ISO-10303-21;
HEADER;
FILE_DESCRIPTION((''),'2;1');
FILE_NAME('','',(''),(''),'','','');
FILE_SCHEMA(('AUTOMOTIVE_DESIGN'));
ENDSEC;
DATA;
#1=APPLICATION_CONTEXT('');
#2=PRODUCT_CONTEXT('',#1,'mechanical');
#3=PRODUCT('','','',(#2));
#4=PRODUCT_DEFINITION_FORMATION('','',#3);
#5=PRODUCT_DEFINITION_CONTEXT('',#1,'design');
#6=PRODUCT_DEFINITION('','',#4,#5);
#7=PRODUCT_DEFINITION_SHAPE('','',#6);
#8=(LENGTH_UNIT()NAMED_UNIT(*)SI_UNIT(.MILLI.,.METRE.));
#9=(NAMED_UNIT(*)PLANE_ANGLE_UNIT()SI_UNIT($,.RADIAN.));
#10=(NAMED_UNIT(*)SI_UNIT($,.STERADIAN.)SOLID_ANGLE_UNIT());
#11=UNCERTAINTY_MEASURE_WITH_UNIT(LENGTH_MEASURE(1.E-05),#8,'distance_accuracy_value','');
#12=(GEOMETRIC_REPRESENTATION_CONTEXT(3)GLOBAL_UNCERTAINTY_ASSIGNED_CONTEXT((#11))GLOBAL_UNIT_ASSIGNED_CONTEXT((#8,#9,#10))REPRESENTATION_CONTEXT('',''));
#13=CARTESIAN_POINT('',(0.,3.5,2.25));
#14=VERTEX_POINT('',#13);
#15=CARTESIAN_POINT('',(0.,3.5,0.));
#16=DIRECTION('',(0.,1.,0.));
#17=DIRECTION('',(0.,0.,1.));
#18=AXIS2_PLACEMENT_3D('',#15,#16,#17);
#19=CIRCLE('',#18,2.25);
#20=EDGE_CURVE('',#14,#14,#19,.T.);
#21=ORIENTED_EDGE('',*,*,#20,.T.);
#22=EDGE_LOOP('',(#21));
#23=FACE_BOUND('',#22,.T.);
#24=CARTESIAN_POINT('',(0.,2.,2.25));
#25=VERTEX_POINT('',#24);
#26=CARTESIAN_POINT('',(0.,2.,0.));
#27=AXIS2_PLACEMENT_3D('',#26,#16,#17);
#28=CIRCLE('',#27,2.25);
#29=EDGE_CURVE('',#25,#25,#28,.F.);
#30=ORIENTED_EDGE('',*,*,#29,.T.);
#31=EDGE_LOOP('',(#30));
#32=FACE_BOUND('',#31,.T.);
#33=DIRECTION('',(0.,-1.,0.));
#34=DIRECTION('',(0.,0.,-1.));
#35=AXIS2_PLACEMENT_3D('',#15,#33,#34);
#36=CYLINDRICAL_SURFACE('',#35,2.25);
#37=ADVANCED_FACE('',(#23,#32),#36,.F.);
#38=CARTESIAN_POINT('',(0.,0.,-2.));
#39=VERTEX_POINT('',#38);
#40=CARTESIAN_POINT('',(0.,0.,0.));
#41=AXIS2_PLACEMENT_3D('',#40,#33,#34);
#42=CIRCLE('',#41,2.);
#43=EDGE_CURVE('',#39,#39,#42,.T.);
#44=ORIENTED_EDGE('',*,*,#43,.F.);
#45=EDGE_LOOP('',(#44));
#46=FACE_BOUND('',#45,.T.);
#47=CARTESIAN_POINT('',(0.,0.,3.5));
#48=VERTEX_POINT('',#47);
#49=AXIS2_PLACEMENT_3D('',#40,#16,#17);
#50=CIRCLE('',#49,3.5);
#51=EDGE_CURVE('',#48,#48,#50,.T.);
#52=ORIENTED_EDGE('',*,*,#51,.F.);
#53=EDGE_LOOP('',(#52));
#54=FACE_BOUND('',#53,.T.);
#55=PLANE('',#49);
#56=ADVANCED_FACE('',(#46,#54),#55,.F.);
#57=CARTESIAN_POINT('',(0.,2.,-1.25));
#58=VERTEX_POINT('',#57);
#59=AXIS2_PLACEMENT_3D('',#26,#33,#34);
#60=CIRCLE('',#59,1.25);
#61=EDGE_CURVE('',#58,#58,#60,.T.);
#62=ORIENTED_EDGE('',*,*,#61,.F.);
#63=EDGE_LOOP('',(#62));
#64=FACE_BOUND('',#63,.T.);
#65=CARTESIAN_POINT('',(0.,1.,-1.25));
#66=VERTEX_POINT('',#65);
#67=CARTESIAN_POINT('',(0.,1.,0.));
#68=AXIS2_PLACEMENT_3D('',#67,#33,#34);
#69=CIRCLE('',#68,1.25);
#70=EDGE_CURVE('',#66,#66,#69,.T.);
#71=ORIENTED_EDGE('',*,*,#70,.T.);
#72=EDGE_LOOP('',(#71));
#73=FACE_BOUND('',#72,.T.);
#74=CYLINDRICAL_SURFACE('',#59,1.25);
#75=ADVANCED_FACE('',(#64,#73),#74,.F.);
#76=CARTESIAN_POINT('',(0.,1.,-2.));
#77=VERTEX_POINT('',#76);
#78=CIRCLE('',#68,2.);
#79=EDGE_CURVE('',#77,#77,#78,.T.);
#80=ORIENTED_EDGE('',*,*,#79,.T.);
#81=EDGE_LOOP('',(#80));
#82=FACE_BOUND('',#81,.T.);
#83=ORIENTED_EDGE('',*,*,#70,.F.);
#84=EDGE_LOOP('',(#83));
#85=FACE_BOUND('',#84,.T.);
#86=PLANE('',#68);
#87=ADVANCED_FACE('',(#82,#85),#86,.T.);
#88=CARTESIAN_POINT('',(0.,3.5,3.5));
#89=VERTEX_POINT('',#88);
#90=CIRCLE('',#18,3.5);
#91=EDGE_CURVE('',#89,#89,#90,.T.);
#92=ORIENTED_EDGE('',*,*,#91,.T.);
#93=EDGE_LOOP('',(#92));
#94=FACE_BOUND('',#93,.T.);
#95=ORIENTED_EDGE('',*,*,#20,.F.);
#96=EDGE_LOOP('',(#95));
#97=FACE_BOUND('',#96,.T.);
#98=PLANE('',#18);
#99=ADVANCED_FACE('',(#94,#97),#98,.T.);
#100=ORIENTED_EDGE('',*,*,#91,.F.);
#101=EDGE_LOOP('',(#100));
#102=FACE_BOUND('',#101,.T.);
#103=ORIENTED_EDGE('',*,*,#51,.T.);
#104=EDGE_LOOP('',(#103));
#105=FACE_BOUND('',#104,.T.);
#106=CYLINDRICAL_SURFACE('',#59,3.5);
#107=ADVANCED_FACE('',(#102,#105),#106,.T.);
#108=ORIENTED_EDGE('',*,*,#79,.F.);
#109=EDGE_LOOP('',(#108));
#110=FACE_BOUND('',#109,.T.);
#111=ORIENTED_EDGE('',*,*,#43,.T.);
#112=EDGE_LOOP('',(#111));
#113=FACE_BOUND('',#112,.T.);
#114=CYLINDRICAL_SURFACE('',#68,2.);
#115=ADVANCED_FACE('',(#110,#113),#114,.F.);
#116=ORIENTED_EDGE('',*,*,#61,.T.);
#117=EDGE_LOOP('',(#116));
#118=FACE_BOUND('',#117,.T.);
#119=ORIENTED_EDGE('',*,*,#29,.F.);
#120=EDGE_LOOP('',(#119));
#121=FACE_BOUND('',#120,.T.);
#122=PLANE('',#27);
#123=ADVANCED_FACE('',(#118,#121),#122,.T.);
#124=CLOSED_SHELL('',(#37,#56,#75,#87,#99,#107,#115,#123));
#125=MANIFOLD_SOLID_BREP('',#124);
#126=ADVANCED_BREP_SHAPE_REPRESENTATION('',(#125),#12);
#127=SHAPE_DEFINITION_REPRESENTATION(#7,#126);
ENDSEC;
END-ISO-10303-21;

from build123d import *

# Parameters (mm, degrees)
SKETCH1_R           = 3.5
BOSS_EXTRUDE1_DEPTH = 2
SKETCH2_R           = 3.5
SKETCH2_R_2         = 2.25
BOSS_EXTRUDE2_DEPTH = 1.5
SKETCH3_R           = 2
CUT_EXTRUDE1_DEPTH  = 1
SKETCH4_R           = 1.25
CUT_EXTRUDE2_DEPTH  = 1


with BuildPart() as part:
    # Sketch1 → Boss-Extrude1 (new body)
    with BuildSketch(Plane(origin=(0, 0, 0), x_dir=(1, 0, 0), z_dir=(0, 1, 0))):
        with Locations(Location((0, 0, 0), (0, 0, 270))):
            Circle(SKETCH1_R)
    extrude(amount=BOSS_EXTRUDE1_DEPTH)

    # Sketch2 → Boss-Extrude2 (add)
    with BuildSketch(Plane(origin=(0, 2, 0), x_dir=(1, 0, 0), z_dir=(0, 1, 0))):
        with Locations(Location((0, 0, 0), (0, 0, 270))):
            Circle(SKETCH2_R)
        with Locations(Location((0, 0, 0), (0, 0, 270))):
            Circle(SKETCH2_R_2, mode=Mode.SUBTRACT)
    extrude(amount=BOSS_EXTRUDE2_DEPTH)

    # Sketch3 → Cut-Extrude1 (cut)
    with BuildSketch(Plane.XZ):
        with Locations(Location((0, 0, 0), (0, 0, 270))):
            Circle(SKETCH3_R)
    extrude(amount=-CUT_EXTRUDE1_DEPTH, mode=Mode.SUBTRACT)

    # Sketch4 → Cut-Extrude2 (cut)
    with BuildSketch(Plane.XZ.offset(-1)):
        with Locations(Location((0, 0, 0), (0, 0, 270))):
            Circle(SKETCH4_R)
    extrude(amount=-CUT_EXTRUDE2_DEPTH, mode=Mode.SUBTRACT)


solid = part.part
